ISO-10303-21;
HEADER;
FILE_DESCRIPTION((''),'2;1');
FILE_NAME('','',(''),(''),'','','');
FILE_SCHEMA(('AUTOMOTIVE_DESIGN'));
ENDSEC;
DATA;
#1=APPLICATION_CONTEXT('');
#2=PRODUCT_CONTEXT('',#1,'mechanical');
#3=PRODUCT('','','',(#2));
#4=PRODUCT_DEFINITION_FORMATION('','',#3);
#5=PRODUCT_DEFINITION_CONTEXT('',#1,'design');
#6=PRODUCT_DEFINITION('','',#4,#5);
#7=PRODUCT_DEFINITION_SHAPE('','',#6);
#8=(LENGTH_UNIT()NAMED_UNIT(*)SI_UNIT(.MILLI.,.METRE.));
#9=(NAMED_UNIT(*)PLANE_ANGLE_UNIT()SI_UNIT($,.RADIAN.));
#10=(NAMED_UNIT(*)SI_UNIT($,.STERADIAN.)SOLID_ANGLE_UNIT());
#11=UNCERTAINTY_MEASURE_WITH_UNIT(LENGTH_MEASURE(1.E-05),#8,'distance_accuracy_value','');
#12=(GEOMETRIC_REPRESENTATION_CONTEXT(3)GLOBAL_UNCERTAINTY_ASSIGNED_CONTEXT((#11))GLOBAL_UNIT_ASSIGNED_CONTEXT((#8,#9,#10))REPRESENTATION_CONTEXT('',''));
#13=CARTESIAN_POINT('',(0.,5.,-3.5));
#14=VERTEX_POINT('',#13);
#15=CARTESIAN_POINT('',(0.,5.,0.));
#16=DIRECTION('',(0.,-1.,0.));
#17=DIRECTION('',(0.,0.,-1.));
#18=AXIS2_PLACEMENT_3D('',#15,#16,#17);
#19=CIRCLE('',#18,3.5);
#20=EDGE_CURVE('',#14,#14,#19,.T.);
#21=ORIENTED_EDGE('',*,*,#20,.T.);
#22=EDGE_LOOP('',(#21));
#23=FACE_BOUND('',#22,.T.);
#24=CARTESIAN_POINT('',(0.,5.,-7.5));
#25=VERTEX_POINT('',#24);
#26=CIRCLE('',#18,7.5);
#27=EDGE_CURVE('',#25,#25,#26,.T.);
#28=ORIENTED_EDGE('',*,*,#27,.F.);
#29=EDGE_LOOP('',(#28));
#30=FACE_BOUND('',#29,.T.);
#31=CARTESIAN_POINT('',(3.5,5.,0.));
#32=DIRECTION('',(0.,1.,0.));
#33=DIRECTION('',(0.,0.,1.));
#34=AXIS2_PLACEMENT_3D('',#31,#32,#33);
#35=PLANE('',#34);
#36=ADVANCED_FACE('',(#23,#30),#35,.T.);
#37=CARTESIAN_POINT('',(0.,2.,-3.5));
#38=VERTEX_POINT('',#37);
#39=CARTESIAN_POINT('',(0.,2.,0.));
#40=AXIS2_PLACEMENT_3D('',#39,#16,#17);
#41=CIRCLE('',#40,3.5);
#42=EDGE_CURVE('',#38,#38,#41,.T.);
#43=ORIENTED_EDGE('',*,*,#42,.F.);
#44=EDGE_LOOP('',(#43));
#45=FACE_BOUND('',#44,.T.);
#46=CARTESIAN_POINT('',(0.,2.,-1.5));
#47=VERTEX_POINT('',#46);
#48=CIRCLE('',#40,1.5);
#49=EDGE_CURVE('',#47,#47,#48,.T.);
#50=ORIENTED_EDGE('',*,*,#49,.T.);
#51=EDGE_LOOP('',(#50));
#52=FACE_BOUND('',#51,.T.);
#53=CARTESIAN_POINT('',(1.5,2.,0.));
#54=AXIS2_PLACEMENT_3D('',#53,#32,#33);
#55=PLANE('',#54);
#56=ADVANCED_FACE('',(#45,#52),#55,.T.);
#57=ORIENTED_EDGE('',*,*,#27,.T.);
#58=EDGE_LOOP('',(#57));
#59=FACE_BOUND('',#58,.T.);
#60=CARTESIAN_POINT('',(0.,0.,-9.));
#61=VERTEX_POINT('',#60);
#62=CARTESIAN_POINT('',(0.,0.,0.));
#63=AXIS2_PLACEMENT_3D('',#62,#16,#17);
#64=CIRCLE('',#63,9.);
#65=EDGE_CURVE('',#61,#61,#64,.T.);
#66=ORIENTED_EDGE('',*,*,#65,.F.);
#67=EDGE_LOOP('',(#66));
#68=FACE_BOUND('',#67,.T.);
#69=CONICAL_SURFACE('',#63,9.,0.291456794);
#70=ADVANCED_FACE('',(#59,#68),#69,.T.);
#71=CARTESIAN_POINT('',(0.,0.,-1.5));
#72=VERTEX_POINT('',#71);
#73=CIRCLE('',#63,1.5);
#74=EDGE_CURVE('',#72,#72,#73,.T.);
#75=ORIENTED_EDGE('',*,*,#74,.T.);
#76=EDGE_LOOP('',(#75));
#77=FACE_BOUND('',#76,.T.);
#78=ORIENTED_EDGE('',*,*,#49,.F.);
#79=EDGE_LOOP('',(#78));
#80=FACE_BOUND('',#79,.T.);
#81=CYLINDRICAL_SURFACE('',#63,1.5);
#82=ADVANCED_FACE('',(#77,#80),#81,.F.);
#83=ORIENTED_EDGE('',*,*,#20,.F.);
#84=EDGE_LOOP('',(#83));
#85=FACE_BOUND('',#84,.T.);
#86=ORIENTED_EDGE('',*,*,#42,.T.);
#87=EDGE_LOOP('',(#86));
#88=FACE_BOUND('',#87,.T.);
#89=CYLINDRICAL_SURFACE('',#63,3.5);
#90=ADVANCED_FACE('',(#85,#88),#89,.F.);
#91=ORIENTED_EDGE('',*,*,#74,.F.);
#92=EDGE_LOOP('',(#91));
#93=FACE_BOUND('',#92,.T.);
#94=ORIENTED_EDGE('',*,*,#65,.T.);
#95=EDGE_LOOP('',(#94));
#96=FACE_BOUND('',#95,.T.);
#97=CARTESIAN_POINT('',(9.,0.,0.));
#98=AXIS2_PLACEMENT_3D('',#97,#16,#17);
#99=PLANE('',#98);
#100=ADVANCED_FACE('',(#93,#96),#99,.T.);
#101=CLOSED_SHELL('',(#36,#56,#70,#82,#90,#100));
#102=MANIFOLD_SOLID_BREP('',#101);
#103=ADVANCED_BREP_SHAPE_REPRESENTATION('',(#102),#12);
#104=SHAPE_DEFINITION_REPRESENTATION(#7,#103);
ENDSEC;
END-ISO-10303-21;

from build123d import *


with BuildPart() as part:
    # Sketch1 → Revolve1 (revolve)
    with BuildSketch(Plane.XY, mode=Mode.PRIVATE) as revolve1_sk:
        Polygon((1.5, 0), (1.5, 2), (3.5, 2), (3.5, 5), (7.5, 5), (9, 0), align=None)
    revolve(revolve1_sk.sketch.rotate(Axis((0, 0, 0), (0, 1, 0)), 90), axis=Axis((0, 0, 0), (0, 1, 0)))


solid = part.part
